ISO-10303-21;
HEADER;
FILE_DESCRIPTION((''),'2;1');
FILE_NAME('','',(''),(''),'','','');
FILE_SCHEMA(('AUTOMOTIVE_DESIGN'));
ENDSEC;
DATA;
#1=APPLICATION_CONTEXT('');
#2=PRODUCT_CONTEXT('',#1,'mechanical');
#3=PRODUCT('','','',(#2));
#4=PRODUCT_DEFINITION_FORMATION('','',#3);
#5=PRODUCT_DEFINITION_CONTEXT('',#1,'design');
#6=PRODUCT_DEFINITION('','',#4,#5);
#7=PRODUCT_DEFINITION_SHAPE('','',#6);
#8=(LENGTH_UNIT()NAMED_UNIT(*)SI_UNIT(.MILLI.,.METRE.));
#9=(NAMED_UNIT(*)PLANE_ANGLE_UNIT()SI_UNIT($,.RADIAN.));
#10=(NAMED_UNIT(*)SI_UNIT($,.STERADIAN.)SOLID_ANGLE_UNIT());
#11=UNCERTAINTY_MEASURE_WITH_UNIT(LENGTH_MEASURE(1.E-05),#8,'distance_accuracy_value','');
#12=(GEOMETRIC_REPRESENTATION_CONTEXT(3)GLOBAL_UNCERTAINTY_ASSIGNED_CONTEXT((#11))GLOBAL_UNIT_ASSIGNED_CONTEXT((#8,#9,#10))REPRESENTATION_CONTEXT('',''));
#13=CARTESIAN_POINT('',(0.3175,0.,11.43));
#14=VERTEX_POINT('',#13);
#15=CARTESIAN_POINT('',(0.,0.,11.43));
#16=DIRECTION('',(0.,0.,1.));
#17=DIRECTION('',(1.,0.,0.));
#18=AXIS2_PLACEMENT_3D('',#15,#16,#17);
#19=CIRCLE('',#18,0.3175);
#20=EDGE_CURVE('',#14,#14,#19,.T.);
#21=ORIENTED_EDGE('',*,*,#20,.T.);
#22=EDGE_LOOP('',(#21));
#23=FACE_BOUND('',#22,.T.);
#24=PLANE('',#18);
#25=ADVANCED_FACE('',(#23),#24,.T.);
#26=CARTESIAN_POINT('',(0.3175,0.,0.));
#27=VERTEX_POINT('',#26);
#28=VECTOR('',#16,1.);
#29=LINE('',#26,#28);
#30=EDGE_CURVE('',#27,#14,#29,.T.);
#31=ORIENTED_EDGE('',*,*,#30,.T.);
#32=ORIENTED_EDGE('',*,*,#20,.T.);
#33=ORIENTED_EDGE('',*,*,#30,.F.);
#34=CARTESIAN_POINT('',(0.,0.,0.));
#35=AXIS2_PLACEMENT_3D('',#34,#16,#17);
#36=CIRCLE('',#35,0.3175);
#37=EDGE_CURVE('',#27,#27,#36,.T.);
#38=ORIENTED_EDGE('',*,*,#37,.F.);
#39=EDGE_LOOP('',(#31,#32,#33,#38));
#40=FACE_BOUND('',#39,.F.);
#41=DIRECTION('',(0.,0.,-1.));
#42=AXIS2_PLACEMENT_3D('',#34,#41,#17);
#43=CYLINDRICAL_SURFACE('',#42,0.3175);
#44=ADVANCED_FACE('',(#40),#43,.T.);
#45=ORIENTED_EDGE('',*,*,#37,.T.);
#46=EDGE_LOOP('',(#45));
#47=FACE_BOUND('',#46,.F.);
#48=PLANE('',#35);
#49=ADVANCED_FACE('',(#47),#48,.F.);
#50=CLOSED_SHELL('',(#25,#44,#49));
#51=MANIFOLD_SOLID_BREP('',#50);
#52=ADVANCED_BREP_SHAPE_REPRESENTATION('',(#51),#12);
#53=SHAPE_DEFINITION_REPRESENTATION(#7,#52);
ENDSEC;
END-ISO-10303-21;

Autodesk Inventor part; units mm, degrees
ref_plane "YZ Plane" through (0, 0, 0) normal (1, 0, 0) x (0, 1, 0)
ref_plane "XZ Plane" through (0, 0, 0) normal (0, 1, 0) x (-1, 0, 0)
ref_plane "XY Plane" through (0, 0, 0) normal (0, 0, 1) x (1, 0, 0)
sketch "Sketch1" plane through (0, 0, 0) normal (0, 0, 1) x (1, 0, 0)
  circle A0 centre (0, 0) radius 0.3175
  dimension "d0" = 0.635
extrude "Extrusion1" add sketch "Sketch1" along normal blind 11.43
properties part number "Header Pin" material "Copper"
